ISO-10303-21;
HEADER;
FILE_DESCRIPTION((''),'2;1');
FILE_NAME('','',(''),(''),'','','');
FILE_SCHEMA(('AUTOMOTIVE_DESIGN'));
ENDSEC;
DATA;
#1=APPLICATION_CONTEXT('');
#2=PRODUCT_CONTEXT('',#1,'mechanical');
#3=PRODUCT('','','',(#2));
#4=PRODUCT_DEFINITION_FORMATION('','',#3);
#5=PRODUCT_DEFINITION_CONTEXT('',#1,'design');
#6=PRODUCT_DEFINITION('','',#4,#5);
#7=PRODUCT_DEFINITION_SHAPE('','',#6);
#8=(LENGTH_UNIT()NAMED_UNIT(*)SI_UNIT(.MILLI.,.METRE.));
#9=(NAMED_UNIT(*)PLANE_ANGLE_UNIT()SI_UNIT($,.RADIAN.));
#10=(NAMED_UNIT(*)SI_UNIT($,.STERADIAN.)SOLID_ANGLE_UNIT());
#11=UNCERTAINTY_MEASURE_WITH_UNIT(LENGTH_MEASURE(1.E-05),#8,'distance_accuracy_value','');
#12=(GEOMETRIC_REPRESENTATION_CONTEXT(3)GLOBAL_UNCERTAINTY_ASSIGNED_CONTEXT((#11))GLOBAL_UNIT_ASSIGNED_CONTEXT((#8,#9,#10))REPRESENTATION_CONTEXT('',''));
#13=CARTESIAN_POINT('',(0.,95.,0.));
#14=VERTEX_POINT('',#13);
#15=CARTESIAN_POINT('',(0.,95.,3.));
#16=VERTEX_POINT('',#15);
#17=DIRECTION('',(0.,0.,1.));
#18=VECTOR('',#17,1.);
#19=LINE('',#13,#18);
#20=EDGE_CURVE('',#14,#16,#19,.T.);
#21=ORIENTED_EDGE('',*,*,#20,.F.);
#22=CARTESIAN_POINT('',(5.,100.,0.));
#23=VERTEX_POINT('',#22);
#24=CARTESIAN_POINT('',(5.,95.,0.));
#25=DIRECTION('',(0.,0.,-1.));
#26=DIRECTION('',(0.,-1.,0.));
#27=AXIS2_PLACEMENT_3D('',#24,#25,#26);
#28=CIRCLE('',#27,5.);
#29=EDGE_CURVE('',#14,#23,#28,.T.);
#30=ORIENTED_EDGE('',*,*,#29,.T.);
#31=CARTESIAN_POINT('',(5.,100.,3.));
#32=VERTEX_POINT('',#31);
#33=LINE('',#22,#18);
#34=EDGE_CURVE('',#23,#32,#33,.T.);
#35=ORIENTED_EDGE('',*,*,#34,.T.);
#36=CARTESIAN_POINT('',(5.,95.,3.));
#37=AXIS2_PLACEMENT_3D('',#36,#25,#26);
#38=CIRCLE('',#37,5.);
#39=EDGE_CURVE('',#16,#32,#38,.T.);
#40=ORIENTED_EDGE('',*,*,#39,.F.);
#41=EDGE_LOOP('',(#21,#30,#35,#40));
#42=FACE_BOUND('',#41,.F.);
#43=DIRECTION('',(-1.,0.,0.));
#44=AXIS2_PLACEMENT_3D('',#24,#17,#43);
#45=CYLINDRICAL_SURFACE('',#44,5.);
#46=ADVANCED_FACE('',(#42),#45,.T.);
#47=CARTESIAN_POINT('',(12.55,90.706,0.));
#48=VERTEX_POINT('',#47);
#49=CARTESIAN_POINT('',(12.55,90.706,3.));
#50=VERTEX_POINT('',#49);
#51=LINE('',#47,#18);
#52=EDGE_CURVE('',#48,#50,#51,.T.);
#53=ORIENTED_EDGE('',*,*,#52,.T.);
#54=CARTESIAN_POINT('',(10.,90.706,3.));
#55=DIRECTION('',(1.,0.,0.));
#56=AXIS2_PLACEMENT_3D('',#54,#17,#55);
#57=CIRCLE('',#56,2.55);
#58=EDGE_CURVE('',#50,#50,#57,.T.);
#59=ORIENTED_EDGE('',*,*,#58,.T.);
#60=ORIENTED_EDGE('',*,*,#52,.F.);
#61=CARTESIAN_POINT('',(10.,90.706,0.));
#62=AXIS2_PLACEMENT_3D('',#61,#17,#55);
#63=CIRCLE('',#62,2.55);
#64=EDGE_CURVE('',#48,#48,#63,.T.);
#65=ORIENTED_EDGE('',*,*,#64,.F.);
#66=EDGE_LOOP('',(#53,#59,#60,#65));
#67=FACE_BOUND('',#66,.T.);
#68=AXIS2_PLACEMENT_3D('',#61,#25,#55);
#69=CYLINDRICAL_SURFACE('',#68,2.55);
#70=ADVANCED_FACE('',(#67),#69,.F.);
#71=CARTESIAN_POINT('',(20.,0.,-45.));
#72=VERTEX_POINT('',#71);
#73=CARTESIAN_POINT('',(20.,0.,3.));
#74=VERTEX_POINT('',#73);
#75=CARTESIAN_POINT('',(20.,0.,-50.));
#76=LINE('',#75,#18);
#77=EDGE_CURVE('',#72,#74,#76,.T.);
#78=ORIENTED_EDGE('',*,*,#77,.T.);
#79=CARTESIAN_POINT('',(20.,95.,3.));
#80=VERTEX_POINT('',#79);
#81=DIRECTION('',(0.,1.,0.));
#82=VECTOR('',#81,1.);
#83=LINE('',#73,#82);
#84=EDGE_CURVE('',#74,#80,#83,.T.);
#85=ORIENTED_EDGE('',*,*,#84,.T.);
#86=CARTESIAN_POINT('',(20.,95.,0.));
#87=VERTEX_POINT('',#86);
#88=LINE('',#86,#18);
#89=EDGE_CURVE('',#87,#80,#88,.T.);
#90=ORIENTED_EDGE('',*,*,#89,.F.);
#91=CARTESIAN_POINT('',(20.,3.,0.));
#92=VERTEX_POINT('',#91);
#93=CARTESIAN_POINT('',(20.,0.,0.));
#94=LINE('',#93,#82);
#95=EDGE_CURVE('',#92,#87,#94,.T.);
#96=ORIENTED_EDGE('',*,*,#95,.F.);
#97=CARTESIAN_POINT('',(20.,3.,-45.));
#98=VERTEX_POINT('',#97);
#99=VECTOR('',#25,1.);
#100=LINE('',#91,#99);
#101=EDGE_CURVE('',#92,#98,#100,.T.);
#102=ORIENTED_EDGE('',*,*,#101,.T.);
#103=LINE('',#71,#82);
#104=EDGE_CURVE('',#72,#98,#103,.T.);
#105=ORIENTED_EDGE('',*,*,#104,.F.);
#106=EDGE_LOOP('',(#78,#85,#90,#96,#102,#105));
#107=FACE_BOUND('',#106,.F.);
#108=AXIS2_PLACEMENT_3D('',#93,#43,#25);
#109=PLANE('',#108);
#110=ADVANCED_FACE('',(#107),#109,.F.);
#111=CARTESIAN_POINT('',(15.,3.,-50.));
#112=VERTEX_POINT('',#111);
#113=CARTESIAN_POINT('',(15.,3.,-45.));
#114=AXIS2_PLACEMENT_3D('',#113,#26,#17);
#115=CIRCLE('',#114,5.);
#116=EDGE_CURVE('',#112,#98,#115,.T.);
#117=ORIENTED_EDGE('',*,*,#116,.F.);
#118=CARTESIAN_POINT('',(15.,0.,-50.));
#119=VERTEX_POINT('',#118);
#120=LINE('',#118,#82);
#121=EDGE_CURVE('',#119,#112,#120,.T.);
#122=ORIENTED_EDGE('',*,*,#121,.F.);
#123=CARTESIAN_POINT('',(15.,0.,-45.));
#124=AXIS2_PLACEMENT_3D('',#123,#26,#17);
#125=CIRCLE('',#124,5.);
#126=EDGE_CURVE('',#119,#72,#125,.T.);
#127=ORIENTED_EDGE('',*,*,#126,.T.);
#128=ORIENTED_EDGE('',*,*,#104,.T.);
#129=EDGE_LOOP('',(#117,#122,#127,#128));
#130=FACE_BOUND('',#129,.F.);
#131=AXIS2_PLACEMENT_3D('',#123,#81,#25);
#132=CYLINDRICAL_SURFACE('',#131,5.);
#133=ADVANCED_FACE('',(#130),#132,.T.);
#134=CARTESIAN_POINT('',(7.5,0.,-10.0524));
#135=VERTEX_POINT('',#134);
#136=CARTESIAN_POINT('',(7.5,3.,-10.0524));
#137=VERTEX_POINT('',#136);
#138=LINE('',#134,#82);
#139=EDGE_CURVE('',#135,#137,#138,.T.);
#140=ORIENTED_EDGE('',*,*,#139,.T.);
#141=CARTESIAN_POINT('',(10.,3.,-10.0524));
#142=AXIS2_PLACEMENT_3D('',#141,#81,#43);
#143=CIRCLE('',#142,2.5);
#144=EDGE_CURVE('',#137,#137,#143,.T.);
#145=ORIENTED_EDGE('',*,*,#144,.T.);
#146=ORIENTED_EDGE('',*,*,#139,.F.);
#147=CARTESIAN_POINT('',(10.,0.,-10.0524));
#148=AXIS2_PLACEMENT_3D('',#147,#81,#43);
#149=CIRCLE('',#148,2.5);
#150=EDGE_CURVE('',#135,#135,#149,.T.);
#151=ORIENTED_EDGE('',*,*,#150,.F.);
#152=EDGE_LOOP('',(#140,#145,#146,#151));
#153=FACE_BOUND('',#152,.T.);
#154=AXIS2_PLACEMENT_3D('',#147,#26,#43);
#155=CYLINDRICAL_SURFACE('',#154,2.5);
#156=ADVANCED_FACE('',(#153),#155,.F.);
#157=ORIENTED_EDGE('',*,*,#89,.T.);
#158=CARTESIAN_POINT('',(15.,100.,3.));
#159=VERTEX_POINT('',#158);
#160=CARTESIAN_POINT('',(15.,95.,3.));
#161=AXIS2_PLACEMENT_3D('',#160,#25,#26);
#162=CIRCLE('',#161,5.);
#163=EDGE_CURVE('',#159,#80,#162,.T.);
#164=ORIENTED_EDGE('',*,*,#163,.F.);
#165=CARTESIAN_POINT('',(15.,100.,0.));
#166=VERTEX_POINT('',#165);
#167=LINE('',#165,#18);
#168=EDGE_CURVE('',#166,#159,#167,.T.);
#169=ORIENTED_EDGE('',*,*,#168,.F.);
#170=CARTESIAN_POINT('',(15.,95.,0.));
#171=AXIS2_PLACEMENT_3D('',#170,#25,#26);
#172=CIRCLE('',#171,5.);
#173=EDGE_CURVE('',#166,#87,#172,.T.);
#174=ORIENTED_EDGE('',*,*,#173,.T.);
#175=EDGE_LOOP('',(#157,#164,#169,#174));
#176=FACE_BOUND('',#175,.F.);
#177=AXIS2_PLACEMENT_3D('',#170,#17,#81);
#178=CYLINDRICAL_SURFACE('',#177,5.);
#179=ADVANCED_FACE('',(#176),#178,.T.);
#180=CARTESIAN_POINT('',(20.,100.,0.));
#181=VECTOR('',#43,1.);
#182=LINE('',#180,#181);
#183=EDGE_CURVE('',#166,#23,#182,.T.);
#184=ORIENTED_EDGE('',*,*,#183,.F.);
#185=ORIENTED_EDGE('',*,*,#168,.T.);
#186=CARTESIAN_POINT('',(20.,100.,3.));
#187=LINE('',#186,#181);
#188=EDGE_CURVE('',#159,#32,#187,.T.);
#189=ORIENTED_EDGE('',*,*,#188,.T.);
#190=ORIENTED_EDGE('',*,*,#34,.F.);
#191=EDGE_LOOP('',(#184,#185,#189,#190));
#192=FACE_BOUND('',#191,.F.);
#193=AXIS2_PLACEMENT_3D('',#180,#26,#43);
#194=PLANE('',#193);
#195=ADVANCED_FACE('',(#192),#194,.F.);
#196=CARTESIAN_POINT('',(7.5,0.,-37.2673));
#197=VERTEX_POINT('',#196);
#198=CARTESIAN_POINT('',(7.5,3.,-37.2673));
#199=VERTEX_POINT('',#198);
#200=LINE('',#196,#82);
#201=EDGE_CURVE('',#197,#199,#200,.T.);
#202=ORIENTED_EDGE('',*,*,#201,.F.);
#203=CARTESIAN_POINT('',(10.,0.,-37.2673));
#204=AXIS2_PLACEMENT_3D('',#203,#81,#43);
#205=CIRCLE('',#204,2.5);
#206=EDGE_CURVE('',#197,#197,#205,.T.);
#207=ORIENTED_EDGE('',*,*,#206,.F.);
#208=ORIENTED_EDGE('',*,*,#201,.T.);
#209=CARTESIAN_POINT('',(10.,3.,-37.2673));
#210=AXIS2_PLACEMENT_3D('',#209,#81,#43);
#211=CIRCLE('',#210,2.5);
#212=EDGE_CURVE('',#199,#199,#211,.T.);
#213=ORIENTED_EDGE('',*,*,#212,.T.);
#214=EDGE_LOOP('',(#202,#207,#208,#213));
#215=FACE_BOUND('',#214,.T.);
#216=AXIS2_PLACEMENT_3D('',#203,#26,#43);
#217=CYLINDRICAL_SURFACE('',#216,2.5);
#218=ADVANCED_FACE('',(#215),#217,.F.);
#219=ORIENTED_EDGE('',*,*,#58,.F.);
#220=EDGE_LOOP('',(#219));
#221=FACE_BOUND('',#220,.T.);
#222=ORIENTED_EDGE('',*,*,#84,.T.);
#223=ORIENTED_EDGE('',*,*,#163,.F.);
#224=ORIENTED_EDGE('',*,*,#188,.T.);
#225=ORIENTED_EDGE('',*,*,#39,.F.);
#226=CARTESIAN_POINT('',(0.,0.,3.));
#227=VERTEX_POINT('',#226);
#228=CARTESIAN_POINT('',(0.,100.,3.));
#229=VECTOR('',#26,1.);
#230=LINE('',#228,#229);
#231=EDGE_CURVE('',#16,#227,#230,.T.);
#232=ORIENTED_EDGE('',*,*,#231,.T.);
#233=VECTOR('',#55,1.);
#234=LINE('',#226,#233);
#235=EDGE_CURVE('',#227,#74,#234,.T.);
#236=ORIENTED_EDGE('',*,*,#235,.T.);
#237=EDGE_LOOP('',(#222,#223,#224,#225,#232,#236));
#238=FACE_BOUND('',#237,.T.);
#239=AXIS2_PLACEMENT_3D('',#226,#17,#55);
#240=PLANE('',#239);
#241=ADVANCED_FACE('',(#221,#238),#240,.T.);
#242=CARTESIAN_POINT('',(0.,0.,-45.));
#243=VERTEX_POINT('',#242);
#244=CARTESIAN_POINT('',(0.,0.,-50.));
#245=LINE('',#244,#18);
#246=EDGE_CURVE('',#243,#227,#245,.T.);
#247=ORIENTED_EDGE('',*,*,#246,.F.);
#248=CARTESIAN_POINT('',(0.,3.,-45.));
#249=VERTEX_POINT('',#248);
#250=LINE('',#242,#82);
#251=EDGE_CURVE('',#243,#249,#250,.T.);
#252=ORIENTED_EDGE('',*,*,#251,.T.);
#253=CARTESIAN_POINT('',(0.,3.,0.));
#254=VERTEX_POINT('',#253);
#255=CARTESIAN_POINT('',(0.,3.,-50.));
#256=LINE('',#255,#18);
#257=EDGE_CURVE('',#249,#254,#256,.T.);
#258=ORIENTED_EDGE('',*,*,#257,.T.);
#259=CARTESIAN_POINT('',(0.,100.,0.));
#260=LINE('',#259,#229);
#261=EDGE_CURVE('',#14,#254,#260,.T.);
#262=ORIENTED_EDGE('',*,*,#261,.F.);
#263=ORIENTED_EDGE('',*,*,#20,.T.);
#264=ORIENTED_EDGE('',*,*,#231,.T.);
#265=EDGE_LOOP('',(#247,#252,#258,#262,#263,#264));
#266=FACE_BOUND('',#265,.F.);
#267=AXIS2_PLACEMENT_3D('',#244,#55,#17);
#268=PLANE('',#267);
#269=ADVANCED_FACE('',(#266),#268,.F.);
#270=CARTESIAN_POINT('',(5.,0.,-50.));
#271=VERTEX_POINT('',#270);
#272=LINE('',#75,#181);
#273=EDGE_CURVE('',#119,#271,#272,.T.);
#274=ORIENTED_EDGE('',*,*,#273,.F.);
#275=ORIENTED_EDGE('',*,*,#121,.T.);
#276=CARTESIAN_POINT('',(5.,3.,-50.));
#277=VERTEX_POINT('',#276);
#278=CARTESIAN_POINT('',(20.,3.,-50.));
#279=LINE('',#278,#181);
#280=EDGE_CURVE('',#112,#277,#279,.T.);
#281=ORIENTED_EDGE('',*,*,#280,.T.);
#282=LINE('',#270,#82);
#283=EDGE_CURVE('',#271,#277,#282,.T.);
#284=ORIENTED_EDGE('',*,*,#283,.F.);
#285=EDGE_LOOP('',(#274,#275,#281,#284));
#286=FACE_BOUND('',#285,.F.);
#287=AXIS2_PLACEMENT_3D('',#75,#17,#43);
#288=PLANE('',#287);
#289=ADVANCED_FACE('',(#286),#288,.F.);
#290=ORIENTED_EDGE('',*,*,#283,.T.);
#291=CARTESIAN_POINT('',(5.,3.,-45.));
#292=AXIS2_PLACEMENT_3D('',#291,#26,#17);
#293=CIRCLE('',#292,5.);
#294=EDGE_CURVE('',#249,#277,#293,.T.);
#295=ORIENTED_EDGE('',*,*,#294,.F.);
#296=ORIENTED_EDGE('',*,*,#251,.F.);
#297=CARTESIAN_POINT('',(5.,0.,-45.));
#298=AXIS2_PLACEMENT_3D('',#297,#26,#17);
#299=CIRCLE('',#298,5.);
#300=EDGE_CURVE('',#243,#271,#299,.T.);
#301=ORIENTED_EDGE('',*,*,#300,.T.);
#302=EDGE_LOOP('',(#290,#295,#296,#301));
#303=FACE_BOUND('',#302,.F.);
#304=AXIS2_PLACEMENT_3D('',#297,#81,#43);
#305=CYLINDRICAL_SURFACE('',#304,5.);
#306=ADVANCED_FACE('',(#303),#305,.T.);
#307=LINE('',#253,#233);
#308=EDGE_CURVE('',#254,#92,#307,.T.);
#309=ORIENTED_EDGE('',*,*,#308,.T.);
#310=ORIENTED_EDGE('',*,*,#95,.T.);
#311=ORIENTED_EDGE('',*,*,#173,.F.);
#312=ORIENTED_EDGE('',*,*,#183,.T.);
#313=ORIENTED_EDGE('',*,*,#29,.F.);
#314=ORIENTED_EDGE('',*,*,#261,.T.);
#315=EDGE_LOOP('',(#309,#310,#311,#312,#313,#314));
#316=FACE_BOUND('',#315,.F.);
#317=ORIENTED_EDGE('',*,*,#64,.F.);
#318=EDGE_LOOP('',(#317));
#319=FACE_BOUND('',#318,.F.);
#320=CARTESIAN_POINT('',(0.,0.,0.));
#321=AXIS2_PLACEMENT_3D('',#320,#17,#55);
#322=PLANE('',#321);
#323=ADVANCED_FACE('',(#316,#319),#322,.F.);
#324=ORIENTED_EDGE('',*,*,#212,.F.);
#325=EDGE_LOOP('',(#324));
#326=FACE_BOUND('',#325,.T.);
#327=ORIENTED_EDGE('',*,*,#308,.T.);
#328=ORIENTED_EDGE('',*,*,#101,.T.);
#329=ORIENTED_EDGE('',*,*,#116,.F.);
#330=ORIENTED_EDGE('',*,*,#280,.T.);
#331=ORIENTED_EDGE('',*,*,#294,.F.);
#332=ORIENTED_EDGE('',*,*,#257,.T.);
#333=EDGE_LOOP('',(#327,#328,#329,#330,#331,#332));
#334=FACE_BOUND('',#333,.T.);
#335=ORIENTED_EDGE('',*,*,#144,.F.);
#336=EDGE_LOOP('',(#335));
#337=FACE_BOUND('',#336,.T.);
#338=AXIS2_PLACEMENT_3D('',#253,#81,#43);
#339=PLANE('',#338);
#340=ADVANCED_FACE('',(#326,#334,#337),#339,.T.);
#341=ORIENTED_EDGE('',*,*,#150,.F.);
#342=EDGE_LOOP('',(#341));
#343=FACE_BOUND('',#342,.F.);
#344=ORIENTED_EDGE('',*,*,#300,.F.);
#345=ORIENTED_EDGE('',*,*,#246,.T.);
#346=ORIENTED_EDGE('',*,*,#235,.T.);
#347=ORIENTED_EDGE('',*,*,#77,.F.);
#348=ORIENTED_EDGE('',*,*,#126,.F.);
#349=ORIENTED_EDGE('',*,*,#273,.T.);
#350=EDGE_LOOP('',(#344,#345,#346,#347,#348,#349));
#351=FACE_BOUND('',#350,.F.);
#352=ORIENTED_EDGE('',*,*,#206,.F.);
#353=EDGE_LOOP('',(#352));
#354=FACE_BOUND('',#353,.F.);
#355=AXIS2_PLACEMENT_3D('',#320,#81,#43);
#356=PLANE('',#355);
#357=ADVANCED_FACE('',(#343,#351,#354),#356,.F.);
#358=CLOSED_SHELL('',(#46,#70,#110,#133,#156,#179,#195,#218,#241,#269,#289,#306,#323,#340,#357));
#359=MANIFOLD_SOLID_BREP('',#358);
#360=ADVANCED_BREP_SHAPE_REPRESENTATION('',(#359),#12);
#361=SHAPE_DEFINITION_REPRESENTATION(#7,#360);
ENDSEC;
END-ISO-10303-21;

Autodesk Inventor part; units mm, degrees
ref_plane "YZ Plane" through (0, 0, 0) normal (1, 0, 0) x (0, 1, 0)
ref_plane "XZ Plane" through (0, 0, 0) normal (0, 1, 0) x (-1, 0, 0)
ref_plane "XY Plane" through (0, 0, 0) normal (0, 0, 1) x (1, 0, 0)
sketch "Sketch1" plane through (0, 0, 0) normal (0, 1, 0) x (-1, 0, 0)
  line L0 (0, 0) -> (-20, 0)
  line L1 (-20, 0) -> (-20, -50)
  line L2 (-20, -50) -> (0, -50)
  line L3 (0, -50) -> (0, 0)
  circle A0 centre (-10, -10.0524) radius 2.5
  circle A1 centre (-10, -37.2673) radius 2.5
  dimension "d0" = 20
  dimension "d1" = 50
  dimension "d2" = 5
  dimension "d3" = 5
extrude "Extrusion1" add sketch "Sketch1" along normal blind 3
sketch "Sketch2" plane through (0, 0, 0) normal (0, 0, 1) x (1, 0, 0)
  line L0 (0, 0) -> (20, 0)
  line L1 (20, 0) -> (20, 100)
  line L2 (20, 100) -> (0, 100)
  line L3 (0, 100) -> (0, 0)
  circle A0 centre (10, 90.706) radius 2.55
  dimension "d6" = 20
  dimension "d7" = 100
  dimension "d8" = 5.1
  dimension "d9" = 90.706
extrude "Extrusion2" add sketch "Sketch2" along normal blind 3
fillet "Fillet1" radius 5 2 edges at (20, 1.5, -50) (0, 1.5, -50)
fillet "Fillet2" radius 5 2 edges at (20, 100, 1.5) (0, 100, 1.5)
properties part number "support bar"
